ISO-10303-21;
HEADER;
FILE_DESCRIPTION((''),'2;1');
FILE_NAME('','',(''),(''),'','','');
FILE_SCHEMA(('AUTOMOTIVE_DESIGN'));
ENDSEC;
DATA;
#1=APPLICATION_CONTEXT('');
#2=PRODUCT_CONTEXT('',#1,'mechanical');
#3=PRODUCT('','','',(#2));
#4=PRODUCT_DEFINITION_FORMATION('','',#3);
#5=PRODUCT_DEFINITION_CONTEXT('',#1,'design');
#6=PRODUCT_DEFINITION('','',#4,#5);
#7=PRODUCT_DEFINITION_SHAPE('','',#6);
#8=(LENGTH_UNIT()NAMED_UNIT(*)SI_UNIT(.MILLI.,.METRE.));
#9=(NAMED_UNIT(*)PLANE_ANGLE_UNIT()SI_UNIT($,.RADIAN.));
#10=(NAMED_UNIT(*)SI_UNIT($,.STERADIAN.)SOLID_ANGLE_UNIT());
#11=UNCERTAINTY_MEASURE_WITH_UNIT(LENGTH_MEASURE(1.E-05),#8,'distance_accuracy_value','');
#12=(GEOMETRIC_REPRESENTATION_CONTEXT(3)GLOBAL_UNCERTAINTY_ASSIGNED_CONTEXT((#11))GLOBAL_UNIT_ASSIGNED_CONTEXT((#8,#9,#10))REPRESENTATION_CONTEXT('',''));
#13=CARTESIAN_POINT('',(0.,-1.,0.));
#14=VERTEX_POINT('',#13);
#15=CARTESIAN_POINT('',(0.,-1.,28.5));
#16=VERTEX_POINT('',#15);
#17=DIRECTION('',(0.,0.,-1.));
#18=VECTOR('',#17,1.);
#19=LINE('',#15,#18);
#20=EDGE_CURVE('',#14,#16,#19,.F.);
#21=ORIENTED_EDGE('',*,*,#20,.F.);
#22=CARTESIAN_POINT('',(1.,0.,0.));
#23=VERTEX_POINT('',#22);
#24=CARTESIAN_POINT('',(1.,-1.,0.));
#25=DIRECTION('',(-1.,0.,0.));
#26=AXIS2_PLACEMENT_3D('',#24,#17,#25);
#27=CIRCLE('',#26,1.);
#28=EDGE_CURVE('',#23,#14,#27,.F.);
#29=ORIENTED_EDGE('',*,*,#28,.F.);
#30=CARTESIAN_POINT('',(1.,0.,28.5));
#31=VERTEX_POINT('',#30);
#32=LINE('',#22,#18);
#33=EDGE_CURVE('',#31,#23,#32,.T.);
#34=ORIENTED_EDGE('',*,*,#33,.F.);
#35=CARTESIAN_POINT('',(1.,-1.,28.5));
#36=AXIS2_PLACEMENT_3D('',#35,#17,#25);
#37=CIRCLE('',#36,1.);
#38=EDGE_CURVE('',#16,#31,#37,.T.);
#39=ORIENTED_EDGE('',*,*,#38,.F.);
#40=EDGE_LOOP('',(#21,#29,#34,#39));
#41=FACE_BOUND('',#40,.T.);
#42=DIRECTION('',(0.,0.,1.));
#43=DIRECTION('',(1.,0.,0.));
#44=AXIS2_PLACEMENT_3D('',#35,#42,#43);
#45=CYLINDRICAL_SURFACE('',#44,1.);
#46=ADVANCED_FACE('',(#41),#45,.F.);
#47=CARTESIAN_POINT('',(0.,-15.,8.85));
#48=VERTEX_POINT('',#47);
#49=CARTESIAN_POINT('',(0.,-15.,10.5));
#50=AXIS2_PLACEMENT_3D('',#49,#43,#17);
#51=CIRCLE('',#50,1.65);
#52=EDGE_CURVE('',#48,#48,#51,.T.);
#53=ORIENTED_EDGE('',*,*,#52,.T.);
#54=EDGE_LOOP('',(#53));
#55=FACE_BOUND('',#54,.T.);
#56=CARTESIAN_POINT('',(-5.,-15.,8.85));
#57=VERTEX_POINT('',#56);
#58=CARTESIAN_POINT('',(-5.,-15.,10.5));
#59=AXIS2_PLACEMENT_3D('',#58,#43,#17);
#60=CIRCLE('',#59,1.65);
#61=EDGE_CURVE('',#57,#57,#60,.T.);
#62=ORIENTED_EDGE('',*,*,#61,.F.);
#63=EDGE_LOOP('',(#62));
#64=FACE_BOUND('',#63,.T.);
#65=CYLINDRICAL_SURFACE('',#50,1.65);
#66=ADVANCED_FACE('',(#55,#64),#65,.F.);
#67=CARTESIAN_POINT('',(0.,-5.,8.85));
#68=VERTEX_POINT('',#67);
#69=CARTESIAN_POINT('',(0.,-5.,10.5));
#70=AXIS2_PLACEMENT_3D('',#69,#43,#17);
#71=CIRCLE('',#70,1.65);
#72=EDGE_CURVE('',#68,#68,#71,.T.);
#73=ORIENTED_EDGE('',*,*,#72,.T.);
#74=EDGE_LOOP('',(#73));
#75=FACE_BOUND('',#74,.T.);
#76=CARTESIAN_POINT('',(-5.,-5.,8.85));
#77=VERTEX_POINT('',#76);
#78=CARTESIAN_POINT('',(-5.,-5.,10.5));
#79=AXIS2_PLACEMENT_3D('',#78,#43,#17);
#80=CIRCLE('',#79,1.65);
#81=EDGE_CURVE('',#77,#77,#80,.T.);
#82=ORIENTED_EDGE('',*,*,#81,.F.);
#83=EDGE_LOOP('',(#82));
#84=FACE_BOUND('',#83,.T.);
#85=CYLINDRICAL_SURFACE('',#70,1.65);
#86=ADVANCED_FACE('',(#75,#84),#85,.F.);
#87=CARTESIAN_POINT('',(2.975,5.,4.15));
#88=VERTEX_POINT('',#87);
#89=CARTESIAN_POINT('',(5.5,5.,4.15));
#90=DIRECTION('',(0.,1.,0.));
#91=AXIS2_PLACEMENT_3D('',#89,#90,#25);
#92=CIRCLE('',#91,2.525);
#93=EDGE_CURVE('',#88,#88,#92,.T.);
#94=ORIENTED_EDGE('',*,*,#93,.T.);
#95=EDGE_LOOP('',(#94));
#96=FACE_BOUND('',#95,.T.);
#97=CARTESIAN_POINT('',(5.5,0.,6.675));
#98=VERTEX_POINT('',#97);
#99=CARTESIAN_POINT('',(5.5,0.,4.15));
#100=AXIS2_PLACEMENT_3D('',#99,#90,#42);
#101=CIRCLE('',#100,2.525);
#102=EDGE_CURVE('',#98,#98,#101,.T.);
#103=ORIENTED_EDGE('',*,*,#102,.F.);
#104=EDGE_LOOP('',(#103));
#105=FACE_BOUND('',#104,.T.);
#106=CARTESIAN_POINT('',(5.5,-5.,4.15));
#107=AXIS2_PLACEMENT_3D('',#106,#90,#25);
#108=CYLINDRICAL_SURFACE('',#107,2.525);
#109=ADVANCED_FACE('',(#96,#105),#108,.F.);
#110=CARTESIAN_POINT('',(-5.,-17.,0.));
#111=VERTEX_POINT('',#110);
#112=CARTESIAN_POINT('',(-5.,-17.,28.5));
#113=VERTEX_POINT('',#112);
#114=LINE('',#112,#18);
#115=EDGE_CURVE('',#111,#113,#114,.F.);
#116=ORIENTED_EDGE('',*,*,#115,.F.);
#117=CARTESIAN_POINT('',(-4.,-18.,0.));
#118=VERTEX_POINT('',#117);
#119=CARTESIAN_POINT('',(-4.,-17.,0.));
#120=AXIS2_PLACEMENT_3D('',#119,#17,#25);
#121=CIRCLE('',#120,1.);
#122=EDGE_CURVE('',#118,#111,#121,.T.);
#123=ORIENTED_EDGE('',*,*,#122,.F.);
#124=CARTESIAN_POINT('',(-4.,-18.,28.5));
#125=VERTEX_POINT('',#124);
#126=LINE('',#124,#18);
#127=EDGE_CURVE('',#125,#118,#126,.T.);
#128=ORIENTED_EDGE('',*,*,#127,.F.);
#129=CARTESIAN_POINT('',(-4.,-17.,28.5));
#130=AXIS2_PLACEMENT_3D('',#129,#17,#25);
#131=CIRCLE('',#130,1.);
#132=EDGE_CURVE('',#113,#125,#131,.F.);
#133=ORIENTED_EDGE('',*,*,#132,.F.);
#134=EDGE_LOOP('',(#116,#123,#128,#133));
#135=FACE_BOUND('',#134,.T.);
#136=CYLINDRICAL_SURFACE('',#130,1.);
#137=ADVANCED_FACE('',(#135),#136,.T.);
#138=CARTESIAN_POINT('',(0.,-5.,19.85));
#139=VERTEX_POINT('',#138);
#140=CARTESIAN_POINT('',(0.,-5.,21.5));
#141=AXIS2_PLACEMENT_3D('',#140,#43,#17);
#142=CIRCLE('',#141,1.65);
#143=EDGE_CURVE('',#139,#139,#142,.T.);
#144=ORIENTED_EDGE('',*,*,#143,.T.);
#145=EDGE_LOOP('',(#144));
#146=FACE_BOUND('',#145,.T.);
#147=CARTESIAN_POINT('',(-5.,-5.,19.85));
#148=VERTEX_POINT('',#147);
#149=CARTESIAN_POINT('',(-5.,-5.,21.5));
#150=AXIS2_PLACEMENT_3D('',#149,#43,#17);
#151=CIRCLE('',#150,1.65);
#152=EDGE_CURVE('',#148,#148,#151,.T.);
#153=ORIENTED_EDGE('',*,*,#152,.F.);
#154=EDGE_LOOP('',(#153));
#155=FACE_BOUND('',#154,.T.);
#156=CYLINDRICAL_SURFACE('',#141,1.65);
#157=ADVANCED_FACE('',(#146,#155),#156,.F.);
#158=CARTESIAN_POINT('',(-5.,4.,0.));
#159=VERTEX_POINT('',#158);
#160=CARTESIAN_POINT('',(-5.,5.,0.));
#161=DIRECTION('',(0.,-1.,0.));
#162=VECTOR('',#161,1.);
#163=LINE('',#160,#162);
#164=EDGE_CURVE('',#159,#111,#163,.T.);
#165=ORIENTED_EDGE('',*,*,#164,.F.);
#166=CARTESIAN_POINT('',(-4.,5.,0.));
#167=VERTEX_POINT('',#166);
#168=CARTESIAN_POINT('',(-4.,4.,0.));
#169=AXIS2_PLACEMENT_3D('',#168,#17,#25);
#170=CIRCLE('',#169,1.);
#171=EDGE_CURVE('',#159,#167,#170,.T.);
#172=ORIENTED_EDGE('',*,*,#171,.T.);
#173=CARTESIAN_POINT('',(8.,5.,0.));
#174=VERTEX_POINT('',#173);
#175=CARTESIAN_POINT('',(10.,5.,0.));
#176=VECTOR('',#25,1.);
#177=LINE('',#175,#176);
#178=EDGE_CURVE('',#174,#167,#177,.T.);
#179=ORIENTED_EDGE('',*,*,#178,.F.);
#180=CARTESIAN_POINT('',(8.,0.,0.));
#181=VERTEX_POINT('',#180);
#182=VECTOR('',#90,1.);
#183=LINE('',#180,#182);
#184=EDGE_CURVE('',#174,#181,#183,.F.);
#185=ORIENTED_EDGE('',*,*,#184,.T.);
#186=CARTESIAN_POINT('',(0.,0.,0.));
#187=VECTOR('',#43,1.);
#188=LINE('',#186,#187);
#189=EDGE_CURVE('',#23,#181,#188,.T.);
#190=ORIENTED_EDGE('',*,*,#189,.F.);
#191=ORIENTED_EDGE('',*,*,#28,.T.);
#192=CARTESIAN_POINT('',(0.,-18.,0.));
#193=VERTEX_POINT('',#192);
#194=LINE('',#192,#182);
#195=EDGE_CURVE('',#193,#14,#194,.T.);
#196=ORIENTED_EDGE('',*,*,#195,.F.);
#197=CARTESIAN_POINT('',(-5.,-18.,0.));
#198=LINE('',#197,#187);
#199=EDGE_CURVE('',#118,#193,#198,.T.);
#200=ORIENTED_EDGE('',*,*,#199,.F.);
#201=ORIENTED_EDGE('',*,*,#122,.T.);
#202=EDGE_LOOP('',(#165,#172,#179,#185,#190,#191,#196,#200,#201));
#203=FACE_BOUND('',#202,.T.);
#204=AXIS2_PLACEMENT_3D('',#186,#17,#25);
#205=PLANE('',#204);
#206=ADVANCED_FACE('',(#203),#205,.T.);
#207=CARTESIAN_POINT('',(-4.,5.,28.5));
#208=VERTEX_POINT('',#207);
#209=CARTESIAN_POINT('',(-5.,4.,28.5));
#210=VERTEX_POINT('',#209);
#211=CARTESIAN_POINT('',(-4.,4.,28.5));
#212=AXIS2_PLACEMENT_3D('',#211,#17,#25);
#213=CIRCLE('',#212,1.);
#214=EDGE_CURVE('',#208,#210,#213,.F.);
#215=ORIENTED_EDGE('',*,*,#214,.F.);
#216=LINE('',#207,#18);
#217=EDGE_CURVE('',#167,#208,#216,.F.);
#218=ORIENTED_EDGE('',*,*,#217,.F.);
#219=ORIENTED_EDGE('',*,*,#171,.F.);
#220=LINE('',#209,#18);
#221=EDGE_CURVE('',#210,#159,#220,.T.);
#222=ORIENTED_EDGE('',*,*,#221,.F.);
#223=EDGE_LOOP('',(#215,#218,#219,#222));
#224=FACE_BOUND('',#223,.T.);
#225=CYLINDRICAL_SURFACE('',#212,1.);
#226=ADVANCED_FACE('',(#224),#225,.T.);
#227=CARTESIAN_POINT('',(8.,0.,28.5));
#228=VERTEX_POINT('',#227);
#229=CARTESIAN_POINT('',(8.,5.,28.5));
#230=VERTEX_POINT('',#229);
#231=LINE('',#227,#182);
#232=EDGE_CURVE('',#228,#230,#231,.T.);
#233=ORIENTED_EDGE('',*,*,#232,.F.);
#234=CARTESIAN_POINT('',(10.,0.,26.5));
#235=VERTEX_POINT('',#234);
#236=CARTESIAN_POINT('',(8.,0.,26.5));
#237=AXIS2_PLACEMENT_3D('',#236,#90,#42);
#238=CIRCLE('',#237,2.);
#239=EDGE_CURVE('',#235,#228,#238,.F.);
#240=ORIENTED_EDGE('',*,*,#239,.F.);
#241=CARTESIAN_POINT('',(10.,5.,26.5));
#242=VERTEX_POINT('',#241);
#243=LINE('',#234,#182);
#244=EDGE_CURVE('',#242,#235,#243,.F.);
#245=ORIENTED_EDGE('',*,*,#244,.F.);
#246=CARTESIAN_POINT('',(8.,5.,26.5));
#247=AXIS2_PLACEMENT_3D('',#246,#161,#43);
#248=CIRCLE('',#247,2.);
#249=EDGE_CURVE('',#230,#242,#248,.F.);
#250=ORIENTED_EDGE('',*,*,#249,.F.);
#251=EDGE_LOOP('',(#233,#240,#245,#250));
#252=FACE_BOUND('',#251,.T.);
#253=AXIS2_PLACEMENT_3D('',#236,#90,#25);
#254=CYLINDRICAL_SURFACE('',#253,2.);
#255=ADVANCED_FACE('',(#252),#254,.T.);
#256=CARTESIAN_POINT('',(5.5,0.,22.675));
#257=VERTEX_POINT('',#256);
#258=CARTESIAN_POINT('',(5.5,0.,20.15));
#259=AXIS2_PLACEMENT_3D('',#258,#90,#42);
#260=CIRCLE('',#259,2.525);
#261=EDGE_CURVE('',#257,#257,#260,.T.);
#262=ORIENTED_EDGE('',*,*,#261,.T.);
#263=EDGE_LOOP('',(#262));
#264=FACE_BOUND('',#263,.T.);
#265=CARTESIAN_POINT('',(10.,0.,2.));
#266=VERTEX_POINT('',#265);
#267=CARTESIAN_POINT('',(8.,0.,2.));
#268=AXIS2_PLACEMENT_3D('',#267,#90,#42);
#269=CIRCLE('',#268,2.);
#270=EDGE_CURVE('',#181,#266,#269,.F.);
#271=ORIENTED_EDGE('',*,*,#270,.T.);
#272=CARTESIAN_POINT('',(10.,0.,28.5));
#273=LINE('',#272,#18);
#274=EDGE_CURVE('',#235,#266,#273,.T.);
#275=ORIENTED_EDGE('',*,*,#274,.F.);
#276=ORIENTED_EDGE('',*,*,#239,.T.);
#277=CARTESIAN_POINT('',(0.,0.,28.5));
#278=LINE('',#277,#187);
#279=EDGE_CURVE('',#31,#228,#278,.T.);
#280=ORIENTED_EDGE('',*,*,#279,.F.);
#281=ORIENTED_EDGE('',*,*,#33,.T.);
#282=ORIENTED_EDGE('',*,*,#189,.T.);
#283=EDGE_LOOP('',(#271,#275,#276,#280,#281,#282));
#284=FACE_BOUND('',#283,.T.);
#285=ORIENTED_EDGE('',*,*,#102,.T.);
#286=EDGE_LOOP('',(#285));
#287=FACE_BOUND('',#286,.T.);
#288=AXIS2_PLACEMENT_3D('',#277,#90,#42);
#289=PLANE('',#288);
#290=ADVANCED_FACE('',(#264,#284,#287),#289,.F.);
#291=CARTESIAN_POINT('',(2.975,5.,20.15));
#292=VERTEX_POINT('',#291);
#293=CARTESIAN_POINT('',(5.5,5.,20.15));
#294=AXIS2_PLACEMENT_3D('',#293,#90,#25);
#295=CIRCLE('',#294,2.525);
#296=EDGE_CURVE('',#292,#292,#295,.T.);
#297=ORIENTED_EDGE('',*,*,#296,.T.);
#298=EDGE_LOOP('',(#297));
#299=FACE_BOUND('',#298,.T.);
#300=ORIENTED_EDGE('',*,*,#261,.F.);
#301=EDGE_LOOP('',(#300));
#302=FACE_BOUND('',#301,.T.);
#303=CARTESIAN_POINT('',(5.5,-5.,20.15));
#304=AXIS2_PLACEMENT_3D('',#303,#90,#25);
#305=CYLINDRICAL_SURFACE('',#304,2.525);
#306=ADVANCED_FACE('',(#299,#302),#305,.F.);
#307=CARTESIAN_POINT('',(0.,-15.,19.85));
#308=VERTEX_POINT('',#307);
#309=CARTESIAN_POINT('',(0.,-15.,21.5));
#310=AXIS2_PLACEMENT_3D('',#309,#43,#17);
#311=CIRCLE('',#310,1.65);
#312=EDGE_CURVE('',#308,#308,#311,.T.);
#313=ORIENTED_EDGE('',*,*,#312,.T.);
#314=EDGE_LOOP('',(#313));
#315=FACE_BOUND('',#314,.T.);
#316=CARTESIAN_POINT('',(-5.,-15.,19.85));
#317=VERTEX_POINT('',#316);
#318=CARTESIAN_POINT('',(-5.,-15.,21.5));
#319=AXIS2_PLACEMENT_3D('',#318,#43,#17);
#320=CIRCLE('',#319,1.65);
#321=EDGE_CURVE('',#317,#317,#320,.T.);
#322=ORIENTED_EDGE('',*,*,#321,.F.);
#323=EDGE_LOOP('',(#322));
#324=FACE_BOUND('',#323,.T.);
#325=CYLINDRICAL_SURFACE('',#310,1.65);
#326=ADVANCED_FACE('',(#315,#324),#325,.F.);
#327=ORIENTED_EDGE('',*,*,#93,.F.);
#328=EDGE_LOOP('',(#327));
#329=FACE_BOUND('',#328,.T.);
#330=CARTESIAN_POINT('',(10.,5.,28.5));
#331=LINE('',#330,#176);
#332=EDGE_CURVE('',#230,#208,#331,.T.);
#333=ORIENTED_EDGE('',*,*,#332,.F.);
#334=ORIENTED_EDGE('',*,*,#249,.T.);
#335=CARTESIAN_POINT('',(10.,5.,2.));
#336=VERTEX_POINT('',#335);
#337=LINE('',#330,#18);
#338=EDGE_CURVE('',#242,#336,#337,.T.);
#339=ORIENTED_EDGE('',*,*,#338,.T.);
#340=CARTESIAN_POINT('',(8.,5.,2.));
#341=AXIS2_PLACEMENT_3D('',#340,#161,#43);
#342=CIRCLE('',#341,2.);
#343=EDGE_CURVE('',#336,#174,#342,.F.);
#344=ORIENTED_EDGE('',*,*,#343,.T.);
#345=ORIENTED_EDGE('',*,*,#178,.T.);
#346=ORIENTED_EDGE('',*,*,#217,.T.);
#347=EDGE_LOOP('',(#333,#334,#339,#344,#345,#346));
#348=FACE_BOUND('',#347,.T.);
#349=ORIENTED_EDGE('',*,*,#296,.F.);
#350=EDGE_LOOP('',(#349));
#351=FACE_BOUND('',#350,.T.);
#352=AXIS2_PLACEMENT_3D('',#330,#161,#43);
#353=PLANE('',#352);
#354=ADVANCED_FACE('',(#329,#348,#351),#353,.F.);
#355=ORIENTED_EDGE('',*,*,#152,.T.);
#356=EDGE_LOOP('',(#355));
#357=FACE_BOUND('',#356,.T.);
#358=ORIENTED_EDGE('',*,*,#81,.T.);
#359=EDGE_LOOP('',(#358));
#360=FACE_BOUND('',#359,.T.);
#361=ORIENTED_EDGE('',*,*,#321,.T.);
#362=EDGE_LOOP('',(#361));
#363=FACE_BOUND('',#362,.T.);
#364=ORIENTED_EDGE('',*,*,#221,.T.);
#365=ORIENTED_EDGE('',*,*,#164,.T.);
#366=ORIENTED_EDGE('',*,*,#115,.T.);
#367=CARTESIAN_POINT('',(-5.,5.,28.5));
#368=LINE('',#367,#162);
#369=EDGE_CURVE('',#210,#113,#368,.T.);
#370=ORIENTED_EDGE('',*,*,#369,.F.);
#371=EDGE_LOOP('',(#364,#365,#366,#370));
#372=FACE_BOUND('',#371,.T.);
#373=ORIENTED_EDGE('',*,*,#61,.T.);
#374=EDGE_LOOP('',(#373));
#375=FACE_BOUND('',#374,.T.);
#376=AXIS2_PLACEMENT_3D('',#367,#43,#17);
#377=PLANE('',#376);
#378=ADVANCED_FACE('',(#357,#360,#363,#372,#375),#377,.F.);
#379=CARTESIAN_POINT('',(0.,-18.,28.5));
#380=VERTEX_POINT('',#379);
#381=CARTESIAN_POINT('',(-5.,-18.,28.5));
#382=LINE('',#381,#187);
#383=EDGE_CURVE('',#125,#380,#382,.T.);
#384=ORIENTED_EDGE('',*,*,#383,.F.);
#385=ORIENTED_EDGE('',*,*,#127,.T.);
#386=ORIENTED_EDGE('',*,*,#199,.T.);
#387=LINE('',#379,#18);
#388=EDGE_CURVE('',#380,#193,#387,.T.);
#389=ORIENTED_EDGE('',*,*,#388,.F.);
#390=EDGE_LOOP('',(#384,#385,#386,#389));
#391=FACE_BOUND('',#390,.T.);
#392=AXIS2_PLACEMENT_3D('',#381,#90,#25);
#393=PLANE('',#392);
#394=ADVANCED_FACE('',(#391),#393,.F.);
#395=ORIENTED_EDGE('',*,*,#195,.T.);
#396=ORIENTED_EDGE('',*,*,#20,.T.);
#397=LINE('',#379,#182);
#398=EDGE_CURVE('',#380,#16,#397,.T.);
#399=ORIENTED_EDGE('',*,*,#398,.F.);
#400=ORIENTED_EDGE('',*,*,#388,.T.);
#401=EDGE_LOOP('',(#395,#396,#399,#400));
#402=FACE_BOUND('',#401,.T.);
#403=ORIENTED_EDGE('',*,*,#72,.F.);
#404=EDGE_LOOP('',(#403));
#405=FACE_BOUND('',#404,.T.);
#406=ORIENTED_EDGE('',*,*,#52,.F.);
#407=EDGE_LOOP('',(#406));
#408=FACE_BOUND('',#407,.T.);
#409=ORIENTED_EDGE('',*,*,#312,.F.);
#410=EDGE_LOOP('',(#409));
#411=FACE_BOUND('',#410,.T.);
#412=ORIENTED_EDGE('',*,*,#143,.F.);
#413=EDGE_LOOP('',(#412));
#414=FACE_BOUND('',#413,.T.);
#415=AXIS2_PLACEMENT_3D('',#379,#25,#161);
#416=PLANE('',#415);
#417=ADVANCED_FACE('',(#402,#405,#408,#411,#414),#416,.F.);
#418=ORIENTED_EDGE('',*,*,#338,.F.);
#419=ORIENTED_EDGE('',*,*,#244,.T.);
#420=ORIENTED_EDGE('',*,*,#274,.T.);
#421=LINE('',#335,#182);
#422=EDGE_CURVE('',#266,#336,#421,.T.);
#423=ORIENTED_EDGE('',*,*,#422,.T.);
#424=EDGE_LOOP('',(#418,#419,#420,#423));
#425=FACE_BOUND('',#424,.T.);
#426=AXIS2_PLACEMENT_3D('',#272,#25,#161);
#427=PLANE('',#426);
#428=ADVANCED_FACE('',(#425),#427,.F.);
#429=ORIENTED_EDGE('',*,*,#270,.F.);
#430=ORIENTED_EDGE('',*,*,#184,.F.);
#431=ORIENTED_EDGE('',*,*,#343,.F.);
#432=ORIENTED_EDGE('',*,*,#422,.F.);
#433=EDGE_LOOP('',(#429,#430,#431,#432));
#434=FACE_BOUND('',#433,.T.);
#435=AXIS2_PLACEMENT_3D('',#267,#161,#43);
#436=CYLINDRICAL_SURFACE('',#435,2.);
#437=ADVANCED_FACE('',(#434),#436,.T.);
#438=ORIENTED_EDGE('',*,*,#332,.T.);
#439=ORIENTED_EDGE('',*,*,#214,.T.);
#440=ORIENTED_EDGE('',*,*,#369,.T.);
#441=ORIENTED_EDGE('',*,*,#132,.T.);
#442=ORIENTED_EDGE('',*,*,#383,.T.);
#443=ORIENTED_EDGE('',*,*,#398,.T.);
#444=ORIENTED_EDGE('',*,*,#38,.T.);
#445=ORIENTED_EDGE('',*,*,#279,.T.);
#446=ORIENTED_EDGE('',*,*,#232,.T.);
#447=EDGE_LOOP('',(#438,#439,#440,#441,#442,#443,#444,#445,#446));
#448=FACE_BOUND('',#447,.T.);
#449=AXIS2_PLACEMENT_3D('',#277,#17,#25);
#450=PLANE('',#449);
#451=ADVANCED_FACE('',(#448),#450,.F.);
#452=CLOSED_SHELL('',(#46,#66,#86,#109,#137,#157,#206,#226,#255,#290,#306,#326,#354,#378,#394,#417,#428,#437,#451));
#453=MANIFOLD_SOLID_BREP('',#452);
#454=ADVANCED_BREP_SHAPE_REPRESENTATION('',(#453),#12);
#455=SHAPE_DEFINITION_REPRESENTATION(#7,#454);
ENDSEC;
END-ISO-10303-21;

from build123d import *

# Parameters (mm, degrees)
EXTRUDE_1_DEPTH     = 28.5
HOLE_WIZARD_M4_1_D  = 3.3
FILLET_1_R          = 2
SKETCH_4_R          = 2.525
CUT_EXTRUDE_1_DEPTH = 10
FILLET_2_R          = 1


with BuildPart() as part:
    # 草图1 → 凸台-拉伸1 (new body)
    with BuildSketch(Plane.XY):
        Polygon((0, 0), (10, 0), (10, 5), (-5, 5), (-5, -18), (0, -18), align=None)
    extrude(amount=EXTRUDE_1_DEPTH)

    # M4 螺纹孔1 (through all)
    with Locations(Plane(origin=(0, -5, 21.5), x_dir=(0, 1, 0), z_dir=(1, 0, 0))):
        with Locations((0, 0), (-10, 0), (-10, -11), (0, -11)):
            Hole(HOLE_WIZARD_M4_1_D / 2)

    # 圆角1
    fillet_1_edges = [part.edges().sort_by_distance(p)[0] for p in [
        (10, 2.5, 28.5),
        (10, 2.5, 0),
    ]]
    fillet(fillet_1_edges, radius=FILLET_1_R)

    # 草图4 → 切除-拉伸1 (cut)
    with BuildSketch(Plane(origin=(0, 5, 0), x_dir=(1, 0, 0), z_dir=(0, 1, 0))):
        with Locations((5.5, -20.15)):
            Circle(SKETCH_4_R)
        with Locations((5.5, -4.15)):
            Circle(SKETCH_4_R)
    extrude(amount=-CUT_EXTRUDE_1_DEPTH, mode=Mode.SUBTRACT)

    # 圆角2
    fillet_2_edges = [part.edges().sort_by_distance(p)[0] for p in [
        (-5, -18, 14.25),
        (-5, 5, 14.25),
        (0, 0, 14.25),
    ]]
    fillet(fillet_2_edges, radius=FILLET_2_R)


solid = part.part
